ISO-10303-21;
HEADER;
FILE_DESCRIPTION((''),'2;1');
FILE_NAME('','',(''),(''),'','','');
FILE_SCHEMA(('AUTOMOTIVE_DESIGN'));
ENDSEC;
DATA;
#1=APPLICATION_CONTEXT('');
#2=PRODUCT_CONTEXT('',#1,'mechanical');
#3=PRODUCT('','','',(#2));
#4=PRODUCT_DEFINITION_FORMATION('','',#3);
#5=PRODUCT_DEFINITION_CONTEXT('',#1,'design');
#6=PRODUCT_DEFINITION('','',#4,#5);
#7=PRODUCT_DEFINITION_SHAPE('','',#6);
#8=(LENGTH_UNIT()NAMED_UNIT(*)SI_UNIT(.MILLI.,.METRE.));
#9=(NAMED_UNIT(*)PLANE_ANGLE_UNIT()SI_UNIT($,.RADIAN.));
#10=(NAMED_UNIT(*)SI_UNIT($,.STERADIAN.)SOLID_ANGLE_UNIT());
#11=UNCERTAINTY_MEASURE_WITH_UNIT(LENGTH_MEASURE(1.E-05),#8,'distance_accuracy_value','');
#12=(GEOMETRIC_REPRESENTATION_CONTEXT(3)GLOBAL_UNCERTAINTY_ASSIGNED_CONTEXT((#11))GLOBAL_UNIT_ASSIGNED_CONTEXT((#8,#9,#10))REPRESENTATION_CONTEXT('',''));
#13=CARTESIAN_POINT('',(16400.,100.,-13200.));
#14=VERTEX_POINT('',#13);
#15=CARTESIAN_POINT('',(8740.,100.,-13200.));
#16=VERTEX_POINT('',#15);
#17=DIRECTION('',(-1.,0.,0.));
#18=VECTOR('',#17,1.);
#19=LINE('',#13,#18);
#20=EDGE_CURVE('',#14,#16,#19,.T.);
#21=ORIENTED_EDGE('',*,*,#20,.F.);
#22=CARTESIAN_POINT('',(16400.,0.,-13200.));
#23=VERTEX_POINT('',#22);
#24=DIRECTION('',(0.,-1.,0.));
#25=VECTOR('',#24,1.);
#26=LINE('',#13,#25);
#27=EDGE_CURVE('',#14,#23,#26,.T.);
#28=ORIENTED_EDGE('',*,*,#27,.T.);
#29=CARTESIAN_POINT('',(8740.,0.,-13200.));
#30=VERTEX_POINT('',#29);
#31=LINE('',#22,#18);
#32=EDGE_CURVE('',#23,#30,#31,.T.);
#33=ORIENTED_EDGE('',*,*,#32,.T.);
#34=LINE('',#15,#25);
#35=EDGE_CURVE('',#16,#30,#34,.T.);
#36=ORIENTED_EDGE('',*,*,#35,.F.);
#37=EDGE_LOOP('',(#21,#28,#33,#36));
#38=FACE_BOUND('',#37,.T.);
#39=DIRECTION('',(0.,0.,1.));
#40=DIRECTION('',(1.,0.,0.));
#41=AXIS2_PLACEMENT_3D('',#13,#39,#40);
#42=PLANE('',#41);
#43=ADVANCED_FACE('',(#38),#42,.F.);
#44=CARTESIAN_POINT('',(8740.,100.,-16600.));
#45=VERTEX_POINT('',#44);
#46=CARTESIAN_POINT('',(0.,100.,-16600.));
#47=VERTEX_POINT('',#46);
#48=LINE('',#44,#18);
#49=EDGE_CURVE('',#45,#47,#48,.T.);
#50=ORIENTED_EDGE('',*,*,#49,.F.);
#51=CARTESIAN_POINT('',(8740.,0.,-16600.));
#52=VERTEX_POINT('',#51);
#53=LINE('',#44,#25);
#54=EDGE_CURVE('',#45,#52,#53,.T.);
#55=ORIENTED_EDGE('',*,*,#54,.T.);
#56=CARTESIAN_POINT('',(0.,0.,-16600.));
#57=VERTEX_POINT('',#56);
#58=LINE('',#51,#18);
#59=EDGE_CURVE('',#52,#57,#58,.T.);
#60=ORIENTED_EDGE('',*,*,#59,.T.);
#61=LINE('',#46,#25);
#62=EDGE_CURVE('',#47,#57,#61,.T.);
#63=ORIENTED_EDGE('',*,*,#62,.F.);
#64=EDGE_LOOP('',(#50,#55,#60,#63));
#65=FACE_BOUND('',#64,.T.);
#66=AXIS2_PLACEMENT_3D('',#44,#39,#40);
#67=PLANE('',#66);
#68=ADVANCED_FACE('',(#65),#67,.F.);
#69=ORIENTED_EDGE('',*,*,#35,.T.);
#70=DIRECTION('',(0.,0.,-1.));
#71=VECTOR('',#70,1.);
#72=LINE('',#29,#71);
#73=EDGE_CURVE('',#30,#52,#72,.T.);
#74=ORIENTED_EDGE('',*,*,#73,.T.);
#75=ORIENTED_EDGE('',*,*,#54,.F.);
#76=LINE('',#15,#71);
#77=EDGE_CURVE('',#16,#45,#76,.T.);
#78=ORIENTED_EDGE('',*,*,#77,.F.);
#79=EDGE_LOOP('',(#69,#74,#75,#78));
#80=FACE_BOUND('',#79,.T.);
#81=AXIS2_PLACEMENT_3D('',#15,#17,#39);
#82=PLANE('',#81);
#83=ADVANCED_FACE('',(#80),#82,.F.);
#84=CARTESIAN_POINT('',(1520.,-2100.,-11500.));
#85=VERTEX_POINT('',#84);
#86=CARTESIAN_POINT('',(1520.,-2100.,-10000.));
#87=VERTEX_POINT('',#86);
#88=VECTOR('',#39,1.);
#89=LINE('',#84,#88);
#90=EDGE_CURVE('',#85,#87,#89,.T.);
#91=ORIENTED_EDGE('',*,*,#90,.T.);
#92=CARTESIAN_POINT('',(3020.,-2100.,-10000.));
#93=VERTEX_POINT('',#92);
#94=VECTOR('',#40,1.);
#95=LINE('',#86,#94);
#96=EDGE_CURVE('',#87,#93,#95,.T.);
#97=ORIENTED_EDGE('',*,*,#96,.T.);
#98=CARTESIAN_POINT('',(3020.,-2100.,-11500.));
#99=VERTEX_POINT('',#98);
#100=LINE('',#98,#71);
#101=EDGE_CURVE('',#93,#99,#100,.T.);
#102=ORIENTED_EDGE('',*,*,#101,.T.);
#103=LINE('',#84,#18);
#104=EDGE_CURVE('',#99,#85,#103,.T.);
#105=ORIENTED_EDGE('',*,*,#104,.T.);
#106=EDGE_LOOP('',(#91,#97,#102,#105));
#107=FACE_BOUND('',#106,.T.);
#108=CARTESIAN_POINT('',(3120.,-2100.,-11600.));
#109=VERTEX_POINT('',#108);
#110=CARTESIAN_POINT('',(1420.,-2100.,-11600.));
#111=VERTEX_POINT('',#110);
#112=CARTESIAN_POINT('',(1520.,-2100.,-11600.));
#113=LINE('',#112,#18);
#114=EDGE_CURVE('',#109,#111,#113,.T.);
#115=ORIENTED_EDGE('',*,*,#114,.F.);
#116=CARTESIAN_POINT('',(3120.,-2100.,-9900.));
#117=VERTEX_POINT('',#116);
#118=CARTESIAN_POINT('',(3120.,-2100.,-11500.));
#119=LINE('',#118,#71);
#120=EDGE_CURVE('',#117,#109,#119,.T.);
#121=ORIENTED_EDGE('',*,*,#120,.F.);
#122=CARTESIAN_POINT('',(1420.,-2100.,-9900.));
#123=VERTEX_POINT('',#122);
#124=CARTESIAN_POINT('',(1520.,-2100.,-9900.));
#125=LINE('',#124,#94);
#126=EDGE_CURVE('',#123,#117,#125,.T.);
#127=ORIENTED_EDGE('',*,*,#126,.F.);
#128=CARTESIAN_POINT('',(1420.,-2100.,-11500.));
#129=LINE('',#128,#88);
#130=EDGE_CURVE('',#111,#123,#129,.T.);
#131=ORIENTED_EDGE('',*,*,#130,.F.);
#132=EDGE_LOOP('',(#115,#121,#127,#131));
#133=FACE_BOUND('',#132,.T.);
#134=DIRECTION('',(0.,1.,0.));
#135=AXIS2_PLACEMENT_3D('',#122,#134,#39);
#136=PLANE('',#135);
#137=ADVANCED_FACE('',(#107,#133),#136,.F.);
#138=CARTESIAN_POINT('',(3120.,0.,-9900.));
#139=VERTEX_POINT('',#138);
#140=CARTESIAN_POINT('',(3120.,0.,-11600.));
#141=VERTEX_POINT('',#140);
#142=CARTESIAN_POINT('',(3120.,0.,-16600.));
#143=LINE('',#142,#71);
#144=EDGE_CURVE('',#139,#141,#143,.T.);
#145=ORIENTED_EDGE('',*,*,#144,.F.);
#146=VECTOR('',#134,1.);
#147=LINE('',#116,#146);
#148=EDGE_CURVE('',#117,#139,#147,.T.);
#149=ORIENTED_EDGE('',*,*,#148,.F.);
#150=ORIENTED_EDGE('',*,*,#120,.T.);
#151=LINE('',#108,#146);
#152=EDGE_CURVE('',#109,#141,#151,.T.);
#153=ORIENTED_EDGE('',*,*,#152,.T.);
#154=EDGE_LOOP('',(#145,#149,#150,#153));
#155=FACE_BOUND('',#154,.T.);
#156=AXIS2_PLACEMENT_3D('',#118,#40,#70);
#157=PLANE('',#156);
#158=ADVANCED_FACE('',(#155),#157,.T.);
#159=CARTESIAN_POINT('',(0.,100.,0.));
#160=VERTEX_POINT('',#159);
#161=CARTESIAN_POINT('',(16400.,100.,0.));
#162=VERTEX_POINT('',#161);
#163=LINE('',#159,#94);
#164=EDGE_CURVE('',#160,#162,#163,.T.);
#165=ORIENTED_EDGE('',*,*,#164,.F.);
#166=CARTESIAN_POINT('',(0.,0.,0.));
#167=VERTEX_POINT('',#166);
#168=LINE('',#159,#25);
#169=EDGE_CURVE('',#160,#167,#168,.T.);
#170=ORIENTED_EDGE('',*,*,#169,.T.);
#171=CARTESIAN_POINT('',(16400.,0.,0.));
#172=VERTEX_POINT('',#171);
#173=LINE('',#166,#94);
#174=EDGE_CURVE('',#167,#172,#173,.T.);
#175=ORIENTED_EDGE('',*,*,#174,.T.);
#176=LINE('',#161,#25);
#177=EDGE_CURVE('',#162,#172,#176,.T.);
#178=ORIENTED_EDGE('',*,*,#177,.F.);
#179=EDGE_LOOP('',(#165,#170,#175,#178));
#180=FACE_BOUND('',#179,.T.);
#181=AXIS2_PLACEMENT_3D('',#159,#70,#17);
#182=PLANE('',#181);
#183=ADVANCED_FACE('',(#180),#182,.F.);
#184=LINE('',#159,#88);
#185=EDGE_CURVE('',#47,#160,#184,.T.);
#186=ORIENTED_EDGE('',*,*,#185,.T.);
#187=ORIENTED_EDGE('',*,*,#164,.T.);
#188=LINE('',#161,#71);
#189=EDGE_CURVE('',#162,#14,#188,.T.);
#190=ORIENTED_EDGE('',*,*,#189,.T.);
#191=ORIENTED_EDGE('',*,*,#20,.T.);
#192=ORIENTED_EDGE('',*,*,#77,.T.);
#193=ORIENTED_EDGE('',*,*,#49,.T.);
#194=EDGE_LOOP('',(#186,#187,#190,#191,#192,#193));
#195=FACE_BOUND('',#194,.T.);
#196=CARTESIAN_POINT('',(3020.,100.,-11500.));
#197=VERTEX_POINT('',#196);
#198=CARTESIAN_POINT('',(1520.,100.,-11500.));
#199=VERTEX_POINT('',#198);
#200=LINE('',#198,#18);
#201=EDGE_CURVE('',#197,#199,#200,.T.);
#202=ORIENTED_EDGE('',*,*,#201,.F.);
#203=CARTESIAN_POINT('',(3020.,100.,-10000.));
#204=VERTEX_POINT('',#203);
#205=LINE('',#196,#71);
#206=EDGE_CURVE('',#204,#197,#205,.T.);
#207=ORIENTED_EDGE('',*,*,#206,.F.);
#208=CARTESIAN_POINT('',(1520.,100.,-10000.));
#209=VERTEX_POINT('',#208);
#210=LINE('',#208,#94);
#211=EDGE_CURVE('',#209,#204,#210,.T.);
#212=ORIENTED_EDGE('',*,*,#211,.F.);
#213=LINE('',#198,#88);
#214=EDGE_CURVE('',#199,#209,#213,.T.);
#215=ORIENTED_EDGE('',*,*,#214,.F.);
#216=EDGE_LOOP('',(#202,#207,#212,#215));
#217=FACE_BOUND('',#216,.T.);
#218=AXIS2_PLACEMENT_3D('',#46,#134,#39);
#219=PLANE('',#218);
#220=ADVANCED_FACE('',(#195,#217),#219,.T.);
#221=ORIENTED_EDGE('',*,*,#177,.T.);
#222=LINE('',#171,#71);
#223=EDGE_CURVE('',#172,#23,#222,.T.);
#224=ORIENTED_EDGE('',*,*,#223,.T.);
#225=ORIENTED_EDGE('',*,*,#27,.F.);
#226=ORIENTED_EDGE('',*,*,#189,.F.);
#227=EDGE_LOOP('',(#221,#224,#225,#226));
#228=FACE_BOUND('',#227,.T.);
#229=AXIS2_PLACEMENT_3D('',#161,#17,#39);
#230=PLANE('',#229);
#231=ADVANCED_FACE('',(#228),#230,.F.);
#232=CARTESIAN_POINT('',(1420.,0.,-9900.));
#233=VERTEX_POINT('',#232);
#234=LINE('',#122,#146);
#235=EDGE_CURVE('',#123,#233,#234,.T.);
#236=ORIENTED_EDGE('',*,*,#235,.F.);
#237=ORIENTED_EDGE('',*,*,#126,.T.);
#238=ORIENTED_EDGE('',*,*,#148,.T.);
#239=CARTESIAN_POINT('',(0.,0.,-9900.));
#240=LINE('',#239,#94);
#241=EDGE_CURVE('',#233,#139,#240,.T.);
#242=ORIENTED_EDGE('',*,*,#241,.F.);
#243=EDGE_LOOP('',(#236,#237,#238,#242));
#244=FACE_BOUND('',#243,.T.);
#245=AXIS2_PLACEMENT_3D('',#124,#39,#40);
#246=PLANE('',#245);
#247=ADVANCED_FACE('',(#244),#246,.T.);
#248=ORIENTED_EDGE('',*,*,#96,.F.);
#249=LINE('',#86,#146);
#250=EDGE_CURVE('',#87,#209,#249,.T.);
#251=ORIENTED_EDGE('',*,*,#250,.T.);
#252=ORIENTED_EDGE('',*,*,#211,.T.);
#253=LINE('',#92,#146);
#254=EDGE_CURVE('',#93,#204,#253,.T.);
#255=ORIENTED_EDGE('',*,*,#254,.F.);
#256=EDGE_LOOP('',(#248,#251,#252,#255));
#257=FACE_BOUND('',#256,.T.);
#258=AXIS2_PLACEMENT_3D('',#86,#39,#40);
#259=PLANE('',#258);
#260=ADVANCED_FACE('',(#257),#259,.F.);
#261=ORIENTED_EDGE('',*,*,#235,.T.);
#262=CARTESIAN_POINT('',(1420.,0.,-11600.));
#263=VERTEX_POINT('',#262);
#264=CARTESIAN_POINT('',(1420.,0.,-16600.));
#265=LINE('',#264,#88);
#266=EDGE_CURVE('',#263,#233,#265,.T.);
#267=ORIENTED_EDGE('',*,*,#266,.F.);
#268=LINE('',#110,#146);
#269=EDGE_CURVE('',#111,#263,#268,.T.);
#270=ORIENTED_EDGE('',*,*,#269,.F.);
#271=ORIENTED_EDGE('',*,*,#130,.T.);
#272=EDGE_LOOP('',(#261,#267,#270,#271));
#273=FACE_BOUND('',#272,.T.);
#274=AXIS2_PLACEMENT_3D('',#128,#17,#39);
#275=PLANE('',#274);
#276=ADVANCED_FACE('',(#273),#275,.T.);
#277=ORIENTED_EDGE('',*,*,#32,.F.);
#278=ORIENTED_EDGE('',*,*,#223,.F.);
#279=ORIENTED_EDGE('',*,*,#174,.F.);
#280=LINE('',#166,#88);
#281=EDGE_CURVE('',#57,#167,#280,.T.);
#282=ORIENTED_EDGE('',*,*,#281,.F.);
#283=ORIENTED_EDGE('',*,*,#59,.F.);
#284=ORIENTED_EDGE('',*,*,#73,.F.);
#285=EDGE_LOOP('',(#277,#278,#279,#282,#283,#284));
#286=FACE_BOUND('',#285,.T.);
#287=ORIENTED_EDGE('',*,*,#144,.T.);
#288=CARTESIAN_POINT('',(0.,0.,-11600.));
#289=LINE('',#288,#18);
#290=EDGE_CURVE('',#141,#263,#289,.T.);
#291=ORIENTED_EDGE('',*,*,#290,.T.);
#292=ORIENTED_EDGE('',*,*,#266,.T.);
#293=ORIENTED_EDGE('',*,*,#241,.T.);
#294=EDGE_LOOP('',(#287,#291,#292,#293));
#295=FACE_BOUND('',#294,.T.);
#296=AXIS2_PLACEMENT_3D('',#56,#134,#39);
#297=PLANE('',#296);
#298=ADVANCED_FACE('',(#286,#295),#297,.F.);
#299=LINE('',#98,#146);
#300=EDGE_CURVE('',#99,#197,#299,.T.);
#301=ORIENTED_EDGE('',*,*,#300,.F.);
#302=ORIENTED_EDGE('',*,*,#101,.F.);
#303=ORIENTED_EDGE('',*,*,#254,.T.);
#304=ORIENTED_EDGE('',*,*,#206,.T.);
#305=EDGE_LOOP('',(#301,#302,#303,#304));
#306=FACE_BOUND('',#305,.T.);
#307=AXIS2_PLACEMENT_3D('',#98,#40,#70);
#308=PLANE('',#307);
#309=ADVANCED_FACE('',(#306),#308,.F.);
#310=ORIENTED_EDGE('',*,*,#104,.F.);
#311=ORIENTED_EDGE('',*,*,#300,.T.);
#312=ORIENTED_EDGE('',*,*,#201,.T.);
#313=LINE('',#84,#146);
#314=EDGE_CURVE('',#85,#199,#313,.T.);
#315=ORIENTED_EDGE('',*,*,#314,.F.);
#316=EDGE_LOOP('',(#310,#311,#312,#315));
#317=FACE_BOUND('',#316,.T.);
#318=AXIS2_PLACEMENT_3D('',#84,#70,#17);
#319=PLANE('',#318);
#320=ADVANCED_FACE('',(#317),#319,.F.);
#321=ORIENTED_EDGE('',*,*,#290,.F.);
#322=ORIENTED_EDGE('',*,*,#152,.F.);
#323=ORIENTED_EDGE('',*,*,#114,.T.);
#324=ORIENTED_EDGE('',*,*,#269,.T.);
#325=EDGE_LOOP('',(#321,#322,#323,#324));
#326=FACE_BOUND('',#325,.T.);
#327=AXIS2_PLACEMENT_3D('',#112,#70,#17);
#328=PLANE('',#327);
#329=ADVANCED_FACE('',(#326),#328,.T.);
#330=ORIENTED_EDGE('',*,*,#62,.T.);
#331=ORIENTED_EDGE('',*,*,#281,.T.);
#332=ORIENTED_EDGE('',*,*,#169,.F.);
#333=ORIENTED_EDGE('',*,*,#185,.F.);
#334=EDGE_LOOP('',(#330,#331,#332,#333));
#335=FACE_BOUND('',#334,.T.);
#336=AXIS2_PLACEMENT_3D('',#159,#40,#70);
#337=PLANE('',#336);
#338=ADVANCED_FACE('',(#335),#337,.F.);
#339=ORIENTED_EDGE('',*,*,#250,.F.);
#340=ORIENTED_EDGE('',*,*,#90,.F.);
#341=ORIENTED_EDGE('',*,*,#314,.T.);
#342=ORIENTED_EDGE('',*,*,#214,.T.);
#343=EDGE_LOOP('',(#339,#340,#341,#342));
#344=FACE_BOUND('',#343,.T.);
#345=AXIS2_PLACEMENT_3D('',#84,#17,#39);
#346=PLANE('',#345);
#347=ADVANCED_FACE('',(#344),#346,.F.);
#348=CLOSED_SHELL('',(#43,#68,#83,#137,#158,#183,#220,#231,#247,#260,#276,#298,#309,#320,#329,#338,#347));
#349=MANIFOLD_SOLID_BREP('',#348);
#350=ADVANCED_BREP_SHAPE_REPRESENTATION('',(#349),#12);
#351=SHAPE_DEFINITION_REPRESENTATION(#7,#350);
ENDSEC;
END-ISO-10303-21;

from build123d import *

# Parameters (mm, degrees)
EXTRUDE_1_DEPTH     = 100
SKETCH_5_W          = 1700
SKETCH_5_H          = 1700
SKETCH_5_W_2        = 1500
SKETCH_5_H_2        = 1500
EXTRUDE_3_DEPTH     = 2200
SKETCH_5_3_W        = 1500
SKETCH_5_3_H        = 1500
CUT_EXTRUDE_3_DEPTH = 2200


with BuildPart() as part:
    # Эскиз1 → Вытянуть1 (new body)
    with BuildSketch(Plane(origin=(0, 0, 0), x_dir=(1, 0, 0), z_dir=(0, 1, 0))):
        Polygon((16400, 13200), (8740, 13200), (8740, 16600), (0, 16600), (0, 0), (16400, 0), align=None)
    extrude(amount=EXTRUDE_1_DEPTH)

    # Эскиз5 → Вытянуть-Тонкостенный3 (add)
    with BuildSketch(Plane(origin=(0, 100, 0), x_dir=(1, 0, 0), z_dir=(0, 1, 0))):
        with Locations((2270, 10750)):
            Rectangle(SKETCH_5_W, SKETCH_5_H)
        with Locations((2270, 10750)):
            Rectangle(SKETCH_5_W_2, SKETCH_5_H_2, mode=Mode.SUBTRACT)
    extrude(amount=-EXTRUDE_3_DEPTH)

    # Эскиз5<3> → Вытянуть3 (cut)
    with BuildSketch(Plane(origin=(0, 100, 0), x_dir=(1, 0, 0), z_dir=(0, 1, 0))):
        with Locations((2270, 10750)):
            Rectangle(SKETCH_5_3_W, SKETCH_5_3_H)
    extrude(amount=-CUT_EXTRUDE_3_DEPTH, mode=Mode.SUBTRACT)


solid = part.part
